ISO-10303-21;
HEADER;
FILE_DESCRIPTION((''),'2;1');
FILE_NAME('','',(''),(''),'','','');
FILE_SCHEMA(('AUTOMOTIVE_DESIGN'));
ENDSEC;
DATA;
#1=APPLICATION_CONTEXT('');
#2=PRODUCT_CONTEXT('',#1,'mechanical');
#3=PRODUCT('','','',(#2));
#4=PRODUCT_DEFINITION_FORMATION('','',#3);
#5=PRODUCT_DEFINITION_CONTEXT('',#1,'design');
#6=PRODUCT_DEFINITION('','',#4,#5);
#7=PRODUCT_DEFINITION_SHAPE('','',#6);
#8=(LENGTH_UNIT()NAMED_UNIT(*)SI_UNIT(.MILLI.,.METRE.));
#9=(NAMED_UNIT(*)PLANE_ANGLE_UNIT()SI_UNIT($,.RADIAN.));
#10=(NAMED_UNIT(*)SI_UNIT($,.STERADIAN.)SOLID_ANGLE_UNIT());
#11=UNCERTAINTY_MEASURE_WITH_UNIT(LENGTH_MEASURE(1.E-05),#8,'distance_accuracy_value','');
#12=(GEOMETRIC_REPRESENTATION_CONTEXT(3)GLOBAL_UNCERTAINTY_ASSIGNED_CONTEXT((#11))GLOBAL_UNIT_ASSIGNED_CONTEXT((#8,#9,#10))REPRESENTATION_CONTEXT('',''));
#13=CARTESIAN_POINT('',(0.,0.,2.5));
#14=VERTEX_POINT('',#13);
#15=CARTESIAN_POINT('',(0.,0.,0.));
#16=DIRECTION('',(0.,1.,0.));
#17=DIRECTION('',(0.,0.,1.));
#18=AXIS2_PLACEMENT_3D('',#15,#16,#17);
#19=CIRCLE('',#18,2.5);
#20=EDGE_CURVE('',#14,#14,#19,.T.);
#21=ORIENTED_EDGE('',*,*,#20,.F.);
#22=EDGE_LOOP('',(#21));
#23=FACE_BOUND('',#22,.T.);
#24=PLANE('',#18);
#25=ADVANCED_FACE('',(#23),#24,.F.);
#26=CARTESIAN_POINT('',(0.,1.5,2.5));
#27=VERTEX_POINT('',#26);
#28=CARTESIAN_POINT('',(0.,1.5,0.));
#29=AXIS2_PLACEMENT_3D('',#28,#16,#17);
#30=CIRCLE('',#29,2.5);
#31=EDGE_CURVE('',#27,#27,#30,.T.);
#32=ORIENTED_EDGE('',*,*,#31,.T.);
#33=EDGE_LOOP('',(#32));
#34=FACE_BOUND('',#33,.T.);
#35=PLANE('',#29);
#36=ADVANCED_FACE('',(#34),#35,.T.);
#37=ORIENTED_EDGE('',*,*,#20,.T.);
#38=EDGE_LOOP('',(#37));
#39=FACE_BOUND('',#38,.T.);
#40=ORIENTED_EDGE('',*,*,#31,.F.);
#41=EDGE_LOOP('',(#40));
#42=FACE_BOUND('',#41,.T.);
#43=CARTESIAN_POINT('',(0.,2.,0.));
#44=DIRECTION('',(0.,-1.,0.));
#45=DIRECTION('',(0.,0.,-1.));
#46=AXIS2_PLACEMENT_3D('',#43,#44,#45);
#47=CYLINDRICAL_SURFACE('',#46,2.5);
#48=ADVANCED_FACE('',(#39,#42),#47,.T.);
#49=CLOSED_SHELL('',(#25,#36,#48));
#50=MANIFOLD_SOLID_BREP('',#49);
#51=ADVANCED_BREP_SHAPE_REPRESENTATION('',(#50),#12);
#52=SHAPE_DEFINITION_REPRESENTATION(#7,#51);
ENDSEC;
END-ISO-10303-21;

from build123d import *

# Parameters (mm, degrees)
SKETCH_1_R          = 2.5
EXTRUDE_1_DEPTH     = 2
SKETCH_2_R          = 2.5
EXTRUDE_2_DEPTH     = 0.5
SKETCH_3_R          = 2.5
CUT_EXTRUDE_1_DEPTH = 1


with BuildPart() as part:
    # ｽｹｯﾁ1 → ﾎﾞｽ - 押し出し1 (new body)
    with BuildSketch(Plane(origin=(0, 0, 0), x_dir=(1, 0, 0), z_dir=(0, 1, 0))):
        Circle(SKETCH_1_R)
    extrude(amount=EXTRUDE_1_DEPTH)

    # ｽｹｯﾁ2 → ﾎﾞｽ - 押し出し2 (add)
    with BuildSketch(Plane(origin=(0, 2, 0), x_dir=(1, 0, 0), z_dir=(0, 1, 0))):
        Circle(SKETCH_2_R)
    extrude(amount=EXTRUDE_2_DEPTH)

    # ｽｹｯﾁ3 → ｶｯﾄ - 押し出し1 (cut)
    with BuildSketch(Plane(origin=(0, 2.5, 0), x_dir=(1, 0, 0), z_dir=(0, 1, 0))):
        Circle(SKETCH_3_R)
    extrude(amount=-CUT_EXTRUDE_1_DEPTH, mode=Mode.SUBTRACT)


solid = part.part
